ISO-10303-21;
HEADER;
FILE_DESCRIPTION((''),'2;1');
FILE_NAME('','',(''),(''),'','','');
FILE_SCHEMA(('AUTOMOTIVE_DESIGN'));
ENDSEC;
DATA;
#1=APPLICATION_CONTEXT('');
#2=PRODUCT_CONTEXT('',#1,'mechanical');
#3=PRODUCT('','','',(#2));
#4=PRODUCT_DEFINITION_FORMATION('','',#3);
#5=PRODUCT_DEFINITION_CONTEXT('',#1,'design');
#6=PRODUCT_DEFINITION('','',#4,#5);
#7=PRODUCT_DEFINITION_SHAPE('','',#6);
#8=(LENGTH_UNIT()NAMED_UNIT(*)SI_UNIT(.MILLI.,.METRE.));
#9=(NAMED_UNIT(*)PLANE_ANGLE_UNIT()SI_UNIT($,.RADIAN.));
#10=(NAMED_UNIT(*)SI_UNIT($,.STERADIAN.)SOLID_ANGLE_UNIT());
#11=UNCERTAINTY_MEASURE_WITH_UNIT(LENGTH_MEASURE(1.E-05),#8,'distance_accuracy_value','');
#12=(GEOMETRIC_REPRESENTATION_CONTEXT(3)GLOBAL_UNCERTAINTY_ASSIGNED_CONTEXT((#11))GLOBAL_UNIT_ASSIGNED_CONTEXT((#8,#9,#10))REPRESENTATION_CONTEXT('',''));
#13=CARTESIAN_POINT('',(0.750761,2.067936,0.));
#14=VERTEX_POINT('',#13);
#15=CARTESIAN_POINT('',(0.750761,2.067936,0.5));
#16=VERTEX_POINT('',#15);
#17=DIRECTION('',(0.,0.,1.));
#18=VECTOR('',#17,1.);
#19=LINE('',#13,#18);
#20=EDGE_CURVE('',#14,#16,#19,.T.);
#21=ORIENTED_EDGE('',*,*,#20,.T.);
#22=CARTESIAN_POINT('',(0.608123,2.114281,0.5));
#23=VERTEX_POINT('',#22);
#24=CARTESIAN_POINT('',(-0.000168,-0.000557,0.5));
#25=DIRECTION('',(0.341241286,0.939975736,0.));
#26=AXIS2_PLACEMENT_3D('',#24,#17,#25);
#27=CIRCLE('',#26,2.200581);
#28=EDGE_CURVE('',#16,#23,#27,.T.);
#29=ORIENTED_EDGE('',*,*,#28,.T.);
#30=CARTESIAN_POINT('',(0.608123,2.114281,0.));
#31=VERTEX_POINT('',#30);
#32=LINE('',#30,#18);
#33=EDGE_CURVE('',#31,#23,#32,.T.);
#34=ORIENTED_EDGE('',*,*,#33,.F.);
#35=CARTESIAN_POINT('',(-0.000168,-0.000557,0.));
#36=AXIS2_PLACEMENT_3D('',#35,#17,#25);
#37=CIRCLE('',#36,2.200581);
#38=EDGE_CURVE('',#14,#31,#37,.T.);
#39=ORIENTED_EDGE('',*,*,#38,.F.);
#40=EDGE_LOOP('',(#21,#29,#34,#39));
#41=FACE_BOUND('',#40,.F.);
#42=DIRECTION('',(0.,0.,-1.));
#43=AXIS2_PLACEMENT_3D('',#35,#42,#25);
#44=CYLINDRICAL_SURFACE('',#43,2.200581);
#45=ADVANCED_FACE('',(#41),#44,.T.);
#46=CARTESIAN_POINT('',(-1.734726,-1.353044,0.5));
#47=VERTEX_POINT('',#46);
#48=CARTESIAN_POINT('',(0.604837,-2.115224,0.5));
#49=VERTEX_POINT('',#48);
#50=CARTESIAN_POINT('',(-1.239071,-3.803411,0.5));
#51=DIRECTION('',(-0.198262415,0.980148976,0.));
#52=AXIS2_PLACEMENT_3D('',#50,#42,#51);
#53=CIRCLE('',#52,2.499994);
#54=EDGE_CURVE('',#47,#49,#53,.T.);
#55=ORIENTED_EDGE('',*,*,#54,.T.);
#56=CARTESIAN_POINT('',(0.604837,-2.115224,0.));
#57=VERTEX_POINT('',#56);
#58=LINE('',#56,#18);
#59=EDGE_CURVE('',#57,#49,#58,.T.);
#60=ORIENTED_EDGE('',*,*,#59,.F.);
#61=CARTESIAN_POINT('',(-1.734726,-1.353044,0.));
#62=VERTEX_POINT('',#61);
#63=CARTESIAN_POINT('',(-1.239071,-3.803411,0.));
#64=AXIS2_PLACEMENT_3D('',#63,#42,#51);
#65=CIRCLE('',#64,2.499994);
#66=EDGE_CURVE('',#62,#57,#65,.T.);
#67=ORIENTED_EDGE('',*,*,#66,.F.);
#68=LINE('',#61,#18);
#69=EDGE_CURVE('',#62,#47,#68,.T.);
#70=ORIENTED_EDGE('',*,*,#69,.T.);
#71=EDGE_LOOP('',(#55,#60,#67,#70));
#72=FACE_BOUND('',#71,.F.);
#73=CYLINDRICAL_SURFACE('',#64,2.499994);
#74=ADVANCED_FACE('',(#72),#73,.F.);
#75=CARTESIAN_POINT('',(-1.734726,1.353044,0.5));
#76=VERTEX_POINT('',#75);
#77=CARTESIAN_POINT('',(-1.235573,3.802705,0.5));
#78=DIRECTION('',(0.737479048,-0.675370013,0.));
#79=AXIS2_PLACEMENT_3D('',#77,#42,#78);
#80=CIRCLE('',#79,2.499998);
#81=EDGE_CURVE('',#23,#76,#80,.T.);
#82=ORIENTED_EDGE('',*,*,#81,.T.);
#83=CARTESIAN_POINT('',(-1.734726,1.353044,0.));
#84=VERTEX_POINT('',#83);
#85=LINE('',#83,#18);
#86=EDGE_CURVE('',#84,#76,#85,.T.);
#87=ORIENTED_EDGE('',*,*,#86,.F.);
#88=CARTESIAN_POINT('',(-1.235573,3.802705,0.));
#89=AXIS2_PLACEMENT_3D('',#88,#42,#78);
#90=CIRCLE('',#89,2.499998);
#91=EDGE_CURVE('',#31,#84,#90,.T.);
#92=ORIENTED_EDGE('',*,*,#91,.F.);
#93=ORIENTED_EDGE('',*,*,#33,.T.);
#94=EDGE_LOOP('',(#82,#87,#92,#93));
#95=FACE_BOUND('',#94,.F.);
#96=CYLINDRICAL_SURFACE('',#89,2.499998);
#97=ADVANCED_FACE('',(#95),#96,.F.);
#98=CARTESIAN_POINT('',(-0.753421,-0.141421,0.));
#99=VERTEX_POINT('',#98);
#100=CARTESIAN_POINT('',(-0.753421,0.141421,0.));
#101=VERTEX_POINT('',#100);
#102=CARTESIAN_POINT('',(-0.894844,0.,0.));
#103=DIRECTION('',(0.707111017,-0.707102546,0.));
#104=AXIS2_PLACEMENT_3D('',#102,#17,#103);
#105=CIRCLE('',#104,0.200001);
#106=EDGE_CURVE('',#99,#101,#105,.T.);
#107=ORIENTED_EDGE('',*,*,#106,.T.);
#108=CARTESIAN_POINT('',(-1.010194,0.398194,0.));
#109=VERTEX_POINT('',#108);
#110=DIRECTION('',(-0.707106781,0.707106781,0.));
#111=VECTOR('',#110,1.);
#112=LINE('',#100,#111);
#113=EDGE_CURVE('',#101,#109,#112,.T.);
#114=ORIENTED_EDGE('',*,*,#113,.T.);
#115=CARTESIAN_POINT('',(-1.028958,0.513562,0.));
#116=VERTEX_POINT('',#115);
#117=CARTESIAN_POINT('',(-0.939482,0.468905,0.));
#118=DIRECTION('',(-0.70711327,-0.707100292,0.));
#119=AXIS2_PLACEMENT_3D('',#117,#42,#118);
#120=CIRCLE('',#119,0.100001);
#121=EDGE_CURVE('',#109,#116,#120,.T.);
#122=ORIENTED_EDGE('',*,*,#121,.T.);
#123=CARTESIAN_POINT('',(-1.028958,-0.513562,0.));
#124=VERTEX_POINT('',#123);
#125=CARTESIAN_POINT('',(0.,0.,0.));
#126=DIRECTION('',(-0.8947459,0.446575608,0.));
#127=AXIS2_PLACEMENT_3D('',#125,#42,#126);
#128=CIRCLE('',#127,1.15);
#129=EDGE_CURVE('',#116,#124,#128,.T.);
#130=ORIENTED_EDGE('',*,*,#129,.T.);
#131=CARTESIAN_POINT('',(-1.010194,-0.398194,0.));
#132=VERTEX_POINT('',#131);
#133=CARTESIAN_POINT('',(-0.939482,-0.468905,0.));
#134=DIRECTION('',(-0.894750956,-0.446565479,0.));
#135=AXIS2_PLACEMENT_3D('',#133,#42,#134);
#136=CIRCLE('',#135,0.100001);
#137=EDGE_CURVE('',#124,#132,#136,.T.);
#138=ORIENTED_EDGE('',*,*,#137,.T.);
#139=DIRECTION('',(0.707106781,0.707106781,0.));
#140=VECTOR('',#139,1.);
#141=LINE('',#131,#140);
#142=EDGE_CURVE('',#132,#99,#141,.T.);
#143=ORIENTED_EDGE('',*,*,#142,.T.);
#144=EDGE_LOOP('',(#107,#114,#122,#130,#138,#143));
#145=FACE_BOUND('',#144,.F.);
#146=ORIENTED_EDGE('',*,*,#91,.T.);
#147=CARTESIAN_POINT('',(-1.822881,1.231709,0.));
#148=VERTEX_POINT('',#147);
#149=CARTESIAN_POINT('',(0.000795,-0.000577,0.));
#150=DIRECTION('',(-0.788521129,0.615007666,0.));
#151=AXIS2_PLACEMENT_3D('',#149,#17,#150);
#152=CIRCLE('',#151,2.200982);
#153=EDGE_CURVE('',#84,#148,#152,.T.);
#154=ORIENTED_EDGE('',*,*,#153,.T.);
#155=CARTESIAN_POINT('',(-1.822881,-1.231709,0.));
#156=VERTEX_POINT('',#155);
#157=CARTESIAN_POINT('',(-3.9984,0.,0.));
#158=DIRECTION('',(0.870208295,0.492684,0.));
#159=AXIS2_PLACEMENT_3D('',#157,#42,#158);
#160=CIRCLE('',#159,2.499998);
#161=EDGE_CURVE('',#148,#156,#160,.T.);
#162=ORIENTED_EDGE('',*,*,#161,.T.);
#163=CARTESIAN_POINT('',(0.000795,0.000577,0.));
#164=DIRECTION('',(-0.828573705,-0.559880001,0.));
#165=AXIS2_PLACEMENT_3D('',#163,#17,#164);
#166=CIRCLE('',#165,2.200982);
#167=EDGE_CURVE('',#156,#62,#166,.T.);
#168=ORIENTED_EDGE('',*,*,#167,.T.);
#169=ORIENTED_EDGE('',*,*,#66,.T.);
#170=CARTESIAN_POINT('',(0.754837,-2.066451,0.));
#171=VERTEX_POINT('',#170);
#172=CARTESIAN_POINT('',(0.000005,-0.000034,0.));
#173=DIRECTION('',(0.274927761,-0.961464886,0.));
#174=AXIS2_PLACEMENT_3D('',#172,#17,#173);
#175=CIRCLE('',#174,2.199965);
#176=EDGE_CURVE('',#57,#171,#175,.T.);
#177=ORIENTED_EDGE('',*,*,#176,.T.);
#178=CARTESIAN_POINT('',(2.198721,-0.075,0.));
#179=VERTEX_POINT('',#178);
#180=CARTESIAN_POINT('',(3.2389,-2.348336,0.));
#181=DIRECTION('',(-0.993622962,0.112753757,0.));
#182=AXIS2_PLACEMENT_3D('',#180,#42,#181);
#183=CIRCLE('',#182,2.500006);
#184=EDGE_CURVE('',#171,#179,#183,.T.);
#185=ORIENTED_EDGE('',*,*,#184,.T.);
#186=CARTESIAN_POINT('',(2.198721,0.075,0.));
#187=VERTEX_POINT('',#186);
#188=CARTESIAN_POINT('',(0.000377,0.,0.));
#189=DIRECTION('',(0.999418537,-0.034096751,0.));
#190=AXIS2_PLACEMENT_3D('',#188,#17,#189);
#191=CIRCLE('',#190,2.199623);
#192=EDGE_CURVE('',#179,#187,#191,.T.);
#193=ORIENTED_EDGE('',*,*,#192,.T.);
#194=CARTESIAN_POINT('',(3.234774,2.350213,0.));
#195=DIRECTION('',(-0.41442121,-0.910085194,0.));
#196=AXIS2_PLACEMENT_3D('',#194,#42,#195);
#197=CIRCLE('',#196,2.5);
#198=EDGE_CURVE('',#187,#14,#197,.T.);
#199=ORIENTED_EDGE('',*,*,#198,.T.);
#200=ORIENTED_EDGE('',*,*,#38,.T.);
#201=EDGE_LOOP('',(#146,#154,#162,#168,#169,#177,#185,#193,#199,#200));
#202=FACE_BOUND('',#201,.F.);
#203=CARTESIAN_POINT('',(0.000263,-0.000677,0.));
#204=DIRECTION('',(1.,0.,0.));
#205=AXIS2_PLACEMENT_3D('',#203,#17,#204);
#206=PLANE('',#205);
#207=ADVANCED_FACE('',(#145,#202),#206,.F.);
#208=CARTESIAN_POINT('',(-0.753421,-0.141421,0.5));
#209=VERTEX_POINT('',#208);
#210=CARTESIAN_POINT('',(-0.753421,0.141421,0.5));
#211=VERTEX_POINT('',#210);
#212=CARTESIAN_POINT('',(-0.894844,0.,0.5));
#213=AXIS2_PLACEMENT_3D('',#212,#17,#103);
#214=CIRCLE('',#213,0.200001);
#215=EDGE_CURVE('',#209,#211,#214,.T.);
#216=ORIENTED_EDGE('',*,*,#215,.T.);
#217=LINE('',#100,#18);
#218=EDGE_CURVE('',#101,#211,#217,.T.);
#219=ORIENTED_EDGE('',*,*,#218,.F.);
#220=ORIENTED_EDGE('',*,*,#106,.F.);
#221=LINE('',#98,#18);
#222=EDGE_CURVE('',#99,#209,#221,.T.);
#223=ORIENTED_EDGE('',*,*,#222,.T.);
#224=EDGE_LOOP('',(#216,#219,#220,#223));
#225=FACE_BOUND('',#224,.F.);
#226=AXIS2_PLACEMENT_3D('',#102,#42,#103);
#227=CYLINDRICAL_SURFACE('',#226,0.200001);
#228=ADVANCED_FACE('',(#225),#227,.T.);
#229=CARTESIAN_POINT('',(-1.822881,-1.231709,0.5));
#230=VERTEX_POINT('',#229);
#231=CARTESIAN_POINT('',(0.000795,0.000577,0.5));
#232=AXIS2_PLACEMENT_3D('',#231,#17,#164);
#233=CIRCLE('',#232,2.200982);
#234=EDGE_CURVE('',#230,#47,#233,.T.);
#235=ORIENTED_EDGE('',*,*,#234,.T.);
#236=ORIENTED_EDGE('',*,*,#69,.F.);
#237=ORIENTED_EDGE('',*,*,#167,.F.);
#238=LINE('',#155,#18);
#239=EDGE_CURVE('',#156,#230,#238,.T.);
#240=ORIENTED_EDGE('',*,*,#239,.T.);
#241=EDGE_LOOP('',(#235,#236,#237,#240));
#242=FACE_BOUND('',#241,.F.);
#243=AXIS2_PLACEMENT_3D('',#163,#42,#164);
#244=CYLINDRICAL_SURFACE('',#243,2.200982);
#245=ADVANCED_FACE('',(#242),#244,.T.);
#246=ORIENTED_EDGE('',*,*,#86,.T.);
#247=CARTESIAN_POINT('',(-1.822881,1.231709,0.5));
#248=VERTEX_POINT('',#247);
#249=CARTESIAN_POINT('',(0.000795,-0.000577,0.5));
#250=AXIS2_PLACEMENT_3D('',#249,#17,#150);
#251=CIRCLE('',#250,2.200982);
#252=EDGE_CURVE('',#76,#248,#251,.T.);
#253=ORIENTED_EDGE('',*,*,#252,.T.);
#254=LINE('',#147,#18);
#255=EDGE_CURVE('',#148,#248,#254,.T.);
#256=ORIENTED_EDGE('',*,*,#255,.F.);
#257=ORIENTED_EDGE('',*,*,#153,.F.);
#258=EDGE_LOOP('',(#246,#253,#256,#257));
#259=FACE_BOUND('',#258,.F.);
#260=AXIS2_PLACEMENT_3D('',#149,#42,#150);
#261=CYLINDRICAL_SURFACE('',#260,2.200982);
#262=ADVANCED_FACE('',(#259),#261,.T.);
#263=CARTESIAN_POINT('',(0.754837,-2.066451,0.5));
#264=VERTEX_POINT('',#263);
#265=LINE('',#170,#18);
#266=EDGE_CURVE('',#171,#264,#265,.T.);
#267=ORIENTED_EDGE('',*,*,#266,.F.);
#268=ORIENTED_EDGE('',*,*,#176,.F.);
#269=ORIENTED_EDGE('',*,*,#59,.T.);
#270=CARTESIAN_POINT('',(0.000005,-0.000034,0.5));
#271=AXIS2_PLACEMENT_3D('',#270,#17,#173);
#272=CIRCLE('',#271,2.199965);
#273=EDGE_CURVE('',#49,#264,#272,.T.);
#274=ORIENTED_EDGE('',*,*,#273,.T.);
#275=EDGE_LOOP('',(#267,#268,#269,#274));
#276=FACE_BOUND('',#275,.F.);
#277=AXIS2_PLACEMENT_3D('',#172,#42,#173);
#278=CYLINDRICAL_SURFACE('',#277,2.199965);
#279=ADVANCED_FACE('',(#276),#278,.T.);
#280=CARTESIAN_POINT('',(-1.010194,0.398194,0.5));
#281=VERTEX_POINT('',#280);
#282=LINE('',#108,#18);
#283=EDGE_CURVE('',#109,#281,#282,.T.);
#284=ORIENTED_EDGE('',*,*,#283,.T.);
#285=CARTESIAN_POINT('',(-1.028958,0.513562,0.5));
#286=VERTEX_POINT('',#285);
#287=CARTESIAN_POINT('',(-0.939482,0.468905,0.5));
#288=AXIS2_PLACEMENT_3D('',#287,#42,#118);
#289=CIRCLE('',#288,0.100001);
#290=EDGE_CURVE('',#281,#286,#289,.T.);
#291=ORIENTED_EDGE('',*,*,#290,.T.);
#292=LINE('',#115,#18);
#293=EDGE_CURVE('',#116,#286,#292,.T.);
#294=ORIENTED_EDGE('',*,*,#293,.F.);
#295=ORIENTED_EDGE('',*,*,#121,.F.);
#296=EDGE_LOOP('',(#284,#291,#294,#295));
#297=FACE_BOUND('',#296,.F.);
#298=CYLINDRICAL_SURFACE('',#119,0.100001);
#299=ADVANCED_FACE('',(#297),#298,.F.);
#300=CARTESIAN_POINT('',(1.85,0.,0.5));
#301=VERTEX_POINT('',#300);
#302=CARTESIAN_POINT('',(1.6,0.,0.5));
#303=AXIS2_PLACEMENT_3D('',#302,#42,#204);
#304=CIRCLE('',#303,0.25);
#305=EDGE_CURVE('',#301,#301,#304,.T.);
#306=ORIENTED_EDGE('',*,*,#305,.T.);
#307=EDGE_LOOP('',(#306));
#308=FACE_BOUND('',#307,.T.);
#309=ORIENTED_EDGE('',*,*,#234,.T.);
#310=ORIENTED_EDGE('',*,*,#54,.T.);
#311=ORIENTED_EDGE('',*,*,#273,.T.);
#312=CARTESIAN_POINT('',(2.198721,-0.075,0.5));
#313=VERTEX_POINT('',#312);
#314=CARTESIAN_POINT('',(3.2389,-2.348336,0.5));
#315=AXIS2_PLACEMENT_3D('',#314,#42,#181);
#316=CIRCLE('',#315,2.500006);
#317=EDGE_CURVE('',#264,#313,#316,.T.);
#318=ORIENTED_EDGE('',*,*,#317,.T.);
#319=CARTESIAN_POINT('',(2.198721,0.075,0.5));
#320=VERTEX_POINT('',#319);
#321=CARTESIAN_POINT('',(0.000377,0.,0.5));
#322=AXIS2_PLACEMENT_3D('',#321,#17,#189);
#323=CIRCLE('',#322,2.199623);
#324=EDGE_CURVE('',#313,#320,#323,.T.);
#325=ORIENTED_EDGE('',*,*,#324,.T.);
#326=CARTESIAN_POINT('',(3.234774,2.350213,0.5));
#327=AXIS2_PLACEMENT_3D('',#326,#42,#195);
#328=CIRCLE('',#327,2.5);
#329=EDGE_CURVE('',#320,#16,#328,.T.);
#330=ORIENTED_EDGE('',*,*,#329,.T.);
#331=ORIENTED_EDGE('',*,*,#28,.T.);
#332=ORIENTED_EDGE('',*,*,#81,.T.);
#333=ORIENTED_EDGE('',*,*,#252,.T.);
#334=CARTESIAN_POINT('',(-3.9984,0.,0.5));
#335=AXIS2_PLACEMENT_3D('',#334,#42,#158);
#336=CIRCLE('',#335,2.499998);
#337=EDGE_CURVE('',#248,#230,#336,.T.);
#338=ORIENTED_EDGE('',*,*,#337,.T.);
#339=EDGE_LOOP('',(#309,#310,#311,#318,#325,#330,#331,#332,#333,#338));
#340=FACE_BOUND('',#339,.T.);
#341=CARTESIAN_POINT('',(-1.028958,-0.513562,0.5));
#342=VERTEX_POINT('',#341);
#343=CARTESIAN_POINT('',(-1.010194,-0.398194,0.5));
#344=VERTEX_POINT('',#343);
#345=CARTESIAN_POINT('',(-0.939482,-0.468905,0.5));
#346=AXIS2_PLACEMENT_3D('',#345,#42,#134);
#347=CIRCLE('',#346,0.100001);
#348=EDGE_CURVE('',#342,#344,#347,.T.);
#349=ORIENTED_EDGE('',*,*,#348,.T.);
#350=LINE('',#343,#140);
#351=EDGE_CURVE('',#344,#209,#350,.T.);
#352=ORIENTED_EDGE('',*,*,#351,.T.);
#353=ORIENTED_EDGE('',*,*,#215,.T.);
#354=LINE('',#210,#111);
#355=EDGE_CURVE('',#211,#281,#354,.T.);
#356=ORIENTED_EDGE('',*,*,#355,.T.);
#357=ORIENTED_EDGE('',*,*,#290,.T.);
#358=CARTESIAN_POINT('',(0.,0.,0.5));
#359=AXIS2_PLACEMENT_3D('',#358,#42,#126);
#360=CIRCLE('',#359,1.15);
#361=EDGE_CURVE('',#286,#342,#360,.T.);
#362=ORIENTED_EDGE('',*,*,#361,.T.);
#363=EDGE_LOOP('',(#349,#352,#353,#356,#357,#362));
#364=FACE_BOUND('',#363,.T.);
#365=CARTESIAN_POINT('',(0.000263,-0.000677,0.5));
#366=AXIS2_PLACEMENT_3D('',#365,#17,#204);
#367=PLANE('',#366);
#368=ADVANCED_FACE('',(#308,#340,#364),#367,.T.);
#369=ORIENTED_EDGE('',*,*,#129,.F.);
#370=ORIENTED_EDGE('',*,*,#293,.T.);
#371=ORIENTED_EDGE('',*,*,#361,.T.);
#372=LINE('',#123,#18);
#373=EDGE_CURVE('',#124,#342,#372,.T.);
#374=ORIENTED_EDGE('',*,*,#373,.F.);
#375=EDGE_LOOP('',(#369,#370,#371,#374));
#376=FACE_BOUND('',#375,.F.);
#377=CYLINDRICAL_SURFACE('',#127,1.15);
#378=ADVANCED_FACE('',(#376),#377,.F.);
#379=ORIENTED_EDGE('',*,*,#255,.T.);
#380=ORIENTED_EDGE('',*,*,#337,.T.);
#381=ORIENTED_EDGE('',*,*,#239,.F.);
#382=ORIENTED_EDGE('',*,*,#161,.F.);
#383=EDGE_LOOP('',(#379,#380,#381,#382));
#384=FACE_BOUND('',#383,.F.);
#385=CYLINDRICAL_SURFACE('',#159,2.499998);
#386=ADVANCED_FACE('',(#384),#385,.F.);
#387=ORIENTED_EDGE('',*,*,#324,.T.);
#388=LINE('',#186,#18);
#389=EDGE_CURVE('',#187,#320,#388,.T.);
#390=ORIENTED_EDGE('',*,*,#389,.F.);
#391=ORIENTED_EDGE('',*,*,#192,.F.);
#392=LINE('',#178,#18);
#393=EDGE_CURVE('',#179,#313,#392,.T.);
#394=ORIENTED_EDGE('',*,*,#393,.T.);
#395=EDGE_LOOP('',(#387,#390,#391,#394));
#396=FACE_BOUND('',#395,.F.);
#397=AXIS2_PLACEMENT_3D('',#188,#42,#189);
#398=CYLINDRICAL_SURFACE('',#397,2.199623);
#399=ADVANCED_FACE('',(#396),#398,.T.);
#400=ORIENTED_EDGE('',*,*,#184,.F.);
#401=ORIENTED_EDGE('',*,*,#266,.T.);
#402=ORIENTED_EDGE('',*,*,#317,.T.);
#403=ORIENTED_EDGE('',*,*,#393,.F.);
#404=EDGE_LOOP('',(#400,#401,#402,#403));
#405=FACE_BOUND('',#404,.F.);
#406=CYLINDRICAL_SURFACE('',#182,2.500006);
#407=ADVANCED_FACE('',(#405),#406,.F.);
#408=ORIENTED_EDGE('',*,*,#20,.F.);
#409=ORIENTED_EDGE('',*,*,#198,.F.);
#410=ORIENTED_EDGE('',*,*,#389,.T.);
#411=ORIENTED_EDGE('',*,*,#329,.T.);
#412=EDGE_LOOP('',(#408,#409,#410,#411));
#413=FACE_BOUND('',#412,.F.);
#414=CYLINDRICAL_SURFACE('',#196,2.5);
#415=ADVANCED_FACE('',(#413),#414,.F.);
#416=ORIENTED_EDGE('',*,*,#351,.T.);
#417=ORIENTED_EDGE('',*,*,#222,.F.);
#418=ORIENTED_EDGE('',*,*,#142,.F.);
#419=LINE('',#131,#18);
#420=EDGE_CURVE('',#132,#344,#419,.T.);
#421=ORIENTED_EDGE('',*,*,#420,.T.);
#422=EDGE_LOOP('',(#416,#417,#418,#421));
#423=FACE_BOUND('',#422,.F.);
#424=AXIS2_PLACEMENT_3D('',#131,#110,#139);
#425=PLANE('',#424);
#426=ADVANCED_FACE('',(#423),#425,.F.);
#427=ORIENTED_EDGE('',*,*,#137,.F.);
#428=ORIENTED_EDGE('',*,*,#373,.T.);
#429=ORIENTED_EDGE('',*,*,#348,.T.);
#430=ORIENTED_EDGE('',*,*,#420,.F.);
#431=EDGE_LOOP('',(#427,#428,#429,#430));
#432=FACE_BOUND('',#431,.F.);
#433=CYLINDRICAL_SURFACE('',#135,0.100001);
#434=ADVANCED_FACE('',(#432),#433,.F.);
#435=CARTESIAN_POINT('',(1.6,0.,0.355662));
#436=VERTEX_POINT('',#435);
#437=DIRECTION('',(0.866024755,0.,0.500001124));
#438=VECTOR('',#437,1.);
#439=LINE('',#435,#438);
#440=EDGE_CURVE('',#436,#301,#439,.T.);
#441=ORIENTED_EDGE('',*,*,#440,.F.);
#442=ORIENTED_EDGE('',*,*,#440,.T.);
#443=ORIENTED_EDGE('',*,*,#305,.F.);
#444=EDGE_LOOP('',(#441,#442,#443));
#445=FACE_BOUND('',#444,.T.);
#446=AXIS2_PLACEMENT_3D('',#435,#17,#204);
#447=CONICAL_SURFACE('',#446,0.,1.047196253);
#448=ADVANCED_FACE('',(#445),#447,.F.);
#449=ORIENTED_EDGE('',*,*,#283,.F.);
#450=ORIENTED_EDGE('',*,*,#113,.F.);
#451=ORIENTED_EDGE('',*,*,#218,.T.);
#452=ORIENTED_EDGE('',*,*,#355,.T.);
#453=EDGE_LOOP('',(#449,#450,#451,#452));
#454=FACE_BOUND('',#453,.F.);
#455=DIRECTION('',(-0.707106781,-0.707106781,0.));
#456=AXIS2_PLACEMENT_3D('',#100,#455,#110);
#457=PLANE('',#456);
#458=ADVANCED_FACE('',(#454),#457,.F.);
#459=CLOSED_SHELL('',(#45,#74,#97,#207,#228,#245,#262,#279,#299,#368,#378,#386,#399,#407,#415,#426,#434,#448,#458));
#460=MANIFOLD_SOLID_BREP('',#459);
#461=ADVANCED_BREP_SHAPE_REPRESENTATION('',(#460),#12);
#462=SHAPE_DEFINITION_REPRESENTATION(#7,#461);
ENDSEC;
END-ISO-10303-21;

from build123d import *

# Parameters (mm, degrees)
F1_DEPTH = 0.5


with BuildPart() as f1:
    # F0 (on Top) → F1 (new body)
    with BuildSketch(Plane.XY):
        with BuildLine():
            ThreePointArc((0.608123, 2.114281), (-0.463032, 1.425065), (-1.734726, 1.353044))
            ThreePointArc((-1.734726, 1.353044), (-1.779837, 1.293128), (-1.822881, 1.231709))
            ThreePointArc((-1.822881, 1.231709), (-1.498402, 0), (-1.822881, -1.231709))
            ThreePointArc((-1.822881, -1.231709), (-1.779837, -1.293128), (-1.734726, -1.353044))
            ThreePointArc((-1.734726, -1.353044), (-0.464683, -1.426376), (0.604837, -2.115224))
            ThreePointArc((0.604837, -2.115224), (0.680275, -2.092182), (0.754837, -2.066451))
            ThreePointArc((0.754837, -2.066451), (1.214909, -0.880859), (2.198721, -0.075))
            ThreePointArc((2.198721, -0.075), (2.2, 0), (2.198721, 0.075))
            ThreePointArc((2.198721, 0.075), (1.212235, 0.880745), (0.750761, 2.067936))
            ThreePointArc((0.750761, 2.067936), (0.679837, 2.092324), (0.608123, 2.114281))
        make_face()
        with BuildLine():
            ThreePointArc((-1.028958, 0.513562), (1.15, 0), (-1.028958, -0.513562))
            ThreePointArc((-1.028958, -0.513562), (-1.038186, -0.452851), (-1.010194, -0.398194))
            Line((-1.010194, -0.398194), (-0.753421, -0.141421))
            ThreePointArc((-0.753421, -0.141421), (-0.694843, 0), (-0.753421, 0.141421))
            Line((-0.753421, 0.141421), (-1.010194, 0.398194))
            ThreePointArc((-1.010194, 0.398194), (-1.038186, 0.452851), (-1.028958, 0.513562))
        make_face(mode=Mode.SUBTRACT)
    extrude(amount=F1_DEPTH)

    # F2 (on Front) → F3 (revolve, cut)
    with BuildSketch(Plane.XZ):
        Polygon((1.85, 0.5), (1.6, 0.5), (1.6, 0.355662), align=None)
    revolve(axis=Axis((1.6, 0, 0.427831), (0, 0, -1)), mode=Mode.SUBTRACT)


solid = f1.part
